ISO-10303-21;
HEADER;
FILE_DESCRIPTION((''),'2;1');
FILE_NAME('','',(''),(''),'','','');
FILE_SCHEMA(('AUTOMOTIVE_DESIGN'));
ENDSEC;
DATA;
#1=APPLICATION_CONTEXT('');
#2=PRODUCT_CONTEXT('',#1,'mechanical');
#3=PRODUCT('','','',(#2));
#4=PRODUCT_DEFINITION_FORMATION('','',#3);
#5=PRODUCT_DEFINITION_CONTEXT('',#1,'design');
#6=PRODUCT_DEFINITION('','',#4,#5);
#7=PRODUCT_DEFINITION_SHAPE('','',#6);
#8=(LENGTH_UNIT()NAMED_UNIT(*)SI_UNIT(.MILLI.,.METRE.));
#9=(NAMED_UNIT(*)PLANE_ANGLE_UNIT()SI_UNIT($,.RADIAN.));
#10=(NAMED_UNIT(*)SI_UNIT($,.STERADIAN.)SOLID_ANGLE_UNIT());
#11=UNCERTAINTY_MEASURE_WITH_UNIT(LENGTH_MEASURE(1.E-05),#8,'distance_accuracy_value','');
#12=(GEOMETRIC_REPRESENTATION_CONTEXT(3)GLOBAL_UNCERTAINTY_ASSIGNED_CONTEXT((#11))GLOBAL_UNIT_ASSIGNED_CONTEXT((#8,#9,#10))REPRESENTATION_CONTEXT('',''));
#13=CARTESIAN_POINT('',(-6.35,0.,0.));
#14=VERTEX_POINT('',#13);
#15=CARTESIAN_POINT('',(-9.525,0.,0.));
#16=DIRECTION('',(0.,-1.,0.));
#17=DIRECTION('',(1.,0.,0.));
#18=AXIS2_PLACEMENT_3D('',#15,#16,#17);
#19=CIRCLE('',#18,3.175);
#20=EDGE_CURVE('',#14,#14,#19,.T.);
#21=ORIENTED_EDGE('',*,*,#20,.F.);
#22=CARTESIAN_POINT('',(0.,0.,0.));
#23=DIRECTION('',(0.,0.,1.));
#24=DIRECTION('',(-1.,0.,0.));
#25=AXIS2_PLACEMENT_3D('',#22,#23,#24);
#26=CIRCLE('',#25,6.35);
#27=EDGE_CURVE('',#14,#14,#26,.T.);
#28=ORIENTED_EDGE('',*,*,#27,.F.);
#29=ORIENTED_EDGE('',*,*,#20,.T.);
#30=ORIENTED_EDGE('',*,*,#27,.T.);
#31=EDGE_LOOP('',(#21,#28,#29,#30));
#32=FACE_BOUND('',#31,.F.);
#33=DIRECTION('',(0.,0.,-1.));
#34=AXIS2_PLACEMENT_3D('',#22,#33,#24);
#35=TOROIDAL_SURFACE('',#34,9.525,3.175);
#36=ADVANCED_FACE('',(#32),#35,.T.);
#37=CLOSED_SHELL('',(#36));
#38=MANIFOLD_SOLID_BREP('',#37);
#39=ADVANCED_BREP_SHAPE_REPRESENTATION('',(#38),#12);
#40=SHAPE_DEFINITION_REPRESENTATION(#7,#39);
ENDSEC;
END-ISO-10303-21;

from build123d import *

# Parameters (mm, degrees)
F0_R = 3.175


with BuildPart() as f1:
    # F0 (on Front) → F1 (revolve)
    with BuildSketch(Plane.XZ):
        Circle(F0_R)
    revolve(axis=Axis((9.525, 0, 1.229782), (0, 0, 1)))


with BuildPart() as f1_1:
    # F2: moved
    add(f1.part.moved(Location((-9.525, 0, 0))))


solid = f1_1.part
